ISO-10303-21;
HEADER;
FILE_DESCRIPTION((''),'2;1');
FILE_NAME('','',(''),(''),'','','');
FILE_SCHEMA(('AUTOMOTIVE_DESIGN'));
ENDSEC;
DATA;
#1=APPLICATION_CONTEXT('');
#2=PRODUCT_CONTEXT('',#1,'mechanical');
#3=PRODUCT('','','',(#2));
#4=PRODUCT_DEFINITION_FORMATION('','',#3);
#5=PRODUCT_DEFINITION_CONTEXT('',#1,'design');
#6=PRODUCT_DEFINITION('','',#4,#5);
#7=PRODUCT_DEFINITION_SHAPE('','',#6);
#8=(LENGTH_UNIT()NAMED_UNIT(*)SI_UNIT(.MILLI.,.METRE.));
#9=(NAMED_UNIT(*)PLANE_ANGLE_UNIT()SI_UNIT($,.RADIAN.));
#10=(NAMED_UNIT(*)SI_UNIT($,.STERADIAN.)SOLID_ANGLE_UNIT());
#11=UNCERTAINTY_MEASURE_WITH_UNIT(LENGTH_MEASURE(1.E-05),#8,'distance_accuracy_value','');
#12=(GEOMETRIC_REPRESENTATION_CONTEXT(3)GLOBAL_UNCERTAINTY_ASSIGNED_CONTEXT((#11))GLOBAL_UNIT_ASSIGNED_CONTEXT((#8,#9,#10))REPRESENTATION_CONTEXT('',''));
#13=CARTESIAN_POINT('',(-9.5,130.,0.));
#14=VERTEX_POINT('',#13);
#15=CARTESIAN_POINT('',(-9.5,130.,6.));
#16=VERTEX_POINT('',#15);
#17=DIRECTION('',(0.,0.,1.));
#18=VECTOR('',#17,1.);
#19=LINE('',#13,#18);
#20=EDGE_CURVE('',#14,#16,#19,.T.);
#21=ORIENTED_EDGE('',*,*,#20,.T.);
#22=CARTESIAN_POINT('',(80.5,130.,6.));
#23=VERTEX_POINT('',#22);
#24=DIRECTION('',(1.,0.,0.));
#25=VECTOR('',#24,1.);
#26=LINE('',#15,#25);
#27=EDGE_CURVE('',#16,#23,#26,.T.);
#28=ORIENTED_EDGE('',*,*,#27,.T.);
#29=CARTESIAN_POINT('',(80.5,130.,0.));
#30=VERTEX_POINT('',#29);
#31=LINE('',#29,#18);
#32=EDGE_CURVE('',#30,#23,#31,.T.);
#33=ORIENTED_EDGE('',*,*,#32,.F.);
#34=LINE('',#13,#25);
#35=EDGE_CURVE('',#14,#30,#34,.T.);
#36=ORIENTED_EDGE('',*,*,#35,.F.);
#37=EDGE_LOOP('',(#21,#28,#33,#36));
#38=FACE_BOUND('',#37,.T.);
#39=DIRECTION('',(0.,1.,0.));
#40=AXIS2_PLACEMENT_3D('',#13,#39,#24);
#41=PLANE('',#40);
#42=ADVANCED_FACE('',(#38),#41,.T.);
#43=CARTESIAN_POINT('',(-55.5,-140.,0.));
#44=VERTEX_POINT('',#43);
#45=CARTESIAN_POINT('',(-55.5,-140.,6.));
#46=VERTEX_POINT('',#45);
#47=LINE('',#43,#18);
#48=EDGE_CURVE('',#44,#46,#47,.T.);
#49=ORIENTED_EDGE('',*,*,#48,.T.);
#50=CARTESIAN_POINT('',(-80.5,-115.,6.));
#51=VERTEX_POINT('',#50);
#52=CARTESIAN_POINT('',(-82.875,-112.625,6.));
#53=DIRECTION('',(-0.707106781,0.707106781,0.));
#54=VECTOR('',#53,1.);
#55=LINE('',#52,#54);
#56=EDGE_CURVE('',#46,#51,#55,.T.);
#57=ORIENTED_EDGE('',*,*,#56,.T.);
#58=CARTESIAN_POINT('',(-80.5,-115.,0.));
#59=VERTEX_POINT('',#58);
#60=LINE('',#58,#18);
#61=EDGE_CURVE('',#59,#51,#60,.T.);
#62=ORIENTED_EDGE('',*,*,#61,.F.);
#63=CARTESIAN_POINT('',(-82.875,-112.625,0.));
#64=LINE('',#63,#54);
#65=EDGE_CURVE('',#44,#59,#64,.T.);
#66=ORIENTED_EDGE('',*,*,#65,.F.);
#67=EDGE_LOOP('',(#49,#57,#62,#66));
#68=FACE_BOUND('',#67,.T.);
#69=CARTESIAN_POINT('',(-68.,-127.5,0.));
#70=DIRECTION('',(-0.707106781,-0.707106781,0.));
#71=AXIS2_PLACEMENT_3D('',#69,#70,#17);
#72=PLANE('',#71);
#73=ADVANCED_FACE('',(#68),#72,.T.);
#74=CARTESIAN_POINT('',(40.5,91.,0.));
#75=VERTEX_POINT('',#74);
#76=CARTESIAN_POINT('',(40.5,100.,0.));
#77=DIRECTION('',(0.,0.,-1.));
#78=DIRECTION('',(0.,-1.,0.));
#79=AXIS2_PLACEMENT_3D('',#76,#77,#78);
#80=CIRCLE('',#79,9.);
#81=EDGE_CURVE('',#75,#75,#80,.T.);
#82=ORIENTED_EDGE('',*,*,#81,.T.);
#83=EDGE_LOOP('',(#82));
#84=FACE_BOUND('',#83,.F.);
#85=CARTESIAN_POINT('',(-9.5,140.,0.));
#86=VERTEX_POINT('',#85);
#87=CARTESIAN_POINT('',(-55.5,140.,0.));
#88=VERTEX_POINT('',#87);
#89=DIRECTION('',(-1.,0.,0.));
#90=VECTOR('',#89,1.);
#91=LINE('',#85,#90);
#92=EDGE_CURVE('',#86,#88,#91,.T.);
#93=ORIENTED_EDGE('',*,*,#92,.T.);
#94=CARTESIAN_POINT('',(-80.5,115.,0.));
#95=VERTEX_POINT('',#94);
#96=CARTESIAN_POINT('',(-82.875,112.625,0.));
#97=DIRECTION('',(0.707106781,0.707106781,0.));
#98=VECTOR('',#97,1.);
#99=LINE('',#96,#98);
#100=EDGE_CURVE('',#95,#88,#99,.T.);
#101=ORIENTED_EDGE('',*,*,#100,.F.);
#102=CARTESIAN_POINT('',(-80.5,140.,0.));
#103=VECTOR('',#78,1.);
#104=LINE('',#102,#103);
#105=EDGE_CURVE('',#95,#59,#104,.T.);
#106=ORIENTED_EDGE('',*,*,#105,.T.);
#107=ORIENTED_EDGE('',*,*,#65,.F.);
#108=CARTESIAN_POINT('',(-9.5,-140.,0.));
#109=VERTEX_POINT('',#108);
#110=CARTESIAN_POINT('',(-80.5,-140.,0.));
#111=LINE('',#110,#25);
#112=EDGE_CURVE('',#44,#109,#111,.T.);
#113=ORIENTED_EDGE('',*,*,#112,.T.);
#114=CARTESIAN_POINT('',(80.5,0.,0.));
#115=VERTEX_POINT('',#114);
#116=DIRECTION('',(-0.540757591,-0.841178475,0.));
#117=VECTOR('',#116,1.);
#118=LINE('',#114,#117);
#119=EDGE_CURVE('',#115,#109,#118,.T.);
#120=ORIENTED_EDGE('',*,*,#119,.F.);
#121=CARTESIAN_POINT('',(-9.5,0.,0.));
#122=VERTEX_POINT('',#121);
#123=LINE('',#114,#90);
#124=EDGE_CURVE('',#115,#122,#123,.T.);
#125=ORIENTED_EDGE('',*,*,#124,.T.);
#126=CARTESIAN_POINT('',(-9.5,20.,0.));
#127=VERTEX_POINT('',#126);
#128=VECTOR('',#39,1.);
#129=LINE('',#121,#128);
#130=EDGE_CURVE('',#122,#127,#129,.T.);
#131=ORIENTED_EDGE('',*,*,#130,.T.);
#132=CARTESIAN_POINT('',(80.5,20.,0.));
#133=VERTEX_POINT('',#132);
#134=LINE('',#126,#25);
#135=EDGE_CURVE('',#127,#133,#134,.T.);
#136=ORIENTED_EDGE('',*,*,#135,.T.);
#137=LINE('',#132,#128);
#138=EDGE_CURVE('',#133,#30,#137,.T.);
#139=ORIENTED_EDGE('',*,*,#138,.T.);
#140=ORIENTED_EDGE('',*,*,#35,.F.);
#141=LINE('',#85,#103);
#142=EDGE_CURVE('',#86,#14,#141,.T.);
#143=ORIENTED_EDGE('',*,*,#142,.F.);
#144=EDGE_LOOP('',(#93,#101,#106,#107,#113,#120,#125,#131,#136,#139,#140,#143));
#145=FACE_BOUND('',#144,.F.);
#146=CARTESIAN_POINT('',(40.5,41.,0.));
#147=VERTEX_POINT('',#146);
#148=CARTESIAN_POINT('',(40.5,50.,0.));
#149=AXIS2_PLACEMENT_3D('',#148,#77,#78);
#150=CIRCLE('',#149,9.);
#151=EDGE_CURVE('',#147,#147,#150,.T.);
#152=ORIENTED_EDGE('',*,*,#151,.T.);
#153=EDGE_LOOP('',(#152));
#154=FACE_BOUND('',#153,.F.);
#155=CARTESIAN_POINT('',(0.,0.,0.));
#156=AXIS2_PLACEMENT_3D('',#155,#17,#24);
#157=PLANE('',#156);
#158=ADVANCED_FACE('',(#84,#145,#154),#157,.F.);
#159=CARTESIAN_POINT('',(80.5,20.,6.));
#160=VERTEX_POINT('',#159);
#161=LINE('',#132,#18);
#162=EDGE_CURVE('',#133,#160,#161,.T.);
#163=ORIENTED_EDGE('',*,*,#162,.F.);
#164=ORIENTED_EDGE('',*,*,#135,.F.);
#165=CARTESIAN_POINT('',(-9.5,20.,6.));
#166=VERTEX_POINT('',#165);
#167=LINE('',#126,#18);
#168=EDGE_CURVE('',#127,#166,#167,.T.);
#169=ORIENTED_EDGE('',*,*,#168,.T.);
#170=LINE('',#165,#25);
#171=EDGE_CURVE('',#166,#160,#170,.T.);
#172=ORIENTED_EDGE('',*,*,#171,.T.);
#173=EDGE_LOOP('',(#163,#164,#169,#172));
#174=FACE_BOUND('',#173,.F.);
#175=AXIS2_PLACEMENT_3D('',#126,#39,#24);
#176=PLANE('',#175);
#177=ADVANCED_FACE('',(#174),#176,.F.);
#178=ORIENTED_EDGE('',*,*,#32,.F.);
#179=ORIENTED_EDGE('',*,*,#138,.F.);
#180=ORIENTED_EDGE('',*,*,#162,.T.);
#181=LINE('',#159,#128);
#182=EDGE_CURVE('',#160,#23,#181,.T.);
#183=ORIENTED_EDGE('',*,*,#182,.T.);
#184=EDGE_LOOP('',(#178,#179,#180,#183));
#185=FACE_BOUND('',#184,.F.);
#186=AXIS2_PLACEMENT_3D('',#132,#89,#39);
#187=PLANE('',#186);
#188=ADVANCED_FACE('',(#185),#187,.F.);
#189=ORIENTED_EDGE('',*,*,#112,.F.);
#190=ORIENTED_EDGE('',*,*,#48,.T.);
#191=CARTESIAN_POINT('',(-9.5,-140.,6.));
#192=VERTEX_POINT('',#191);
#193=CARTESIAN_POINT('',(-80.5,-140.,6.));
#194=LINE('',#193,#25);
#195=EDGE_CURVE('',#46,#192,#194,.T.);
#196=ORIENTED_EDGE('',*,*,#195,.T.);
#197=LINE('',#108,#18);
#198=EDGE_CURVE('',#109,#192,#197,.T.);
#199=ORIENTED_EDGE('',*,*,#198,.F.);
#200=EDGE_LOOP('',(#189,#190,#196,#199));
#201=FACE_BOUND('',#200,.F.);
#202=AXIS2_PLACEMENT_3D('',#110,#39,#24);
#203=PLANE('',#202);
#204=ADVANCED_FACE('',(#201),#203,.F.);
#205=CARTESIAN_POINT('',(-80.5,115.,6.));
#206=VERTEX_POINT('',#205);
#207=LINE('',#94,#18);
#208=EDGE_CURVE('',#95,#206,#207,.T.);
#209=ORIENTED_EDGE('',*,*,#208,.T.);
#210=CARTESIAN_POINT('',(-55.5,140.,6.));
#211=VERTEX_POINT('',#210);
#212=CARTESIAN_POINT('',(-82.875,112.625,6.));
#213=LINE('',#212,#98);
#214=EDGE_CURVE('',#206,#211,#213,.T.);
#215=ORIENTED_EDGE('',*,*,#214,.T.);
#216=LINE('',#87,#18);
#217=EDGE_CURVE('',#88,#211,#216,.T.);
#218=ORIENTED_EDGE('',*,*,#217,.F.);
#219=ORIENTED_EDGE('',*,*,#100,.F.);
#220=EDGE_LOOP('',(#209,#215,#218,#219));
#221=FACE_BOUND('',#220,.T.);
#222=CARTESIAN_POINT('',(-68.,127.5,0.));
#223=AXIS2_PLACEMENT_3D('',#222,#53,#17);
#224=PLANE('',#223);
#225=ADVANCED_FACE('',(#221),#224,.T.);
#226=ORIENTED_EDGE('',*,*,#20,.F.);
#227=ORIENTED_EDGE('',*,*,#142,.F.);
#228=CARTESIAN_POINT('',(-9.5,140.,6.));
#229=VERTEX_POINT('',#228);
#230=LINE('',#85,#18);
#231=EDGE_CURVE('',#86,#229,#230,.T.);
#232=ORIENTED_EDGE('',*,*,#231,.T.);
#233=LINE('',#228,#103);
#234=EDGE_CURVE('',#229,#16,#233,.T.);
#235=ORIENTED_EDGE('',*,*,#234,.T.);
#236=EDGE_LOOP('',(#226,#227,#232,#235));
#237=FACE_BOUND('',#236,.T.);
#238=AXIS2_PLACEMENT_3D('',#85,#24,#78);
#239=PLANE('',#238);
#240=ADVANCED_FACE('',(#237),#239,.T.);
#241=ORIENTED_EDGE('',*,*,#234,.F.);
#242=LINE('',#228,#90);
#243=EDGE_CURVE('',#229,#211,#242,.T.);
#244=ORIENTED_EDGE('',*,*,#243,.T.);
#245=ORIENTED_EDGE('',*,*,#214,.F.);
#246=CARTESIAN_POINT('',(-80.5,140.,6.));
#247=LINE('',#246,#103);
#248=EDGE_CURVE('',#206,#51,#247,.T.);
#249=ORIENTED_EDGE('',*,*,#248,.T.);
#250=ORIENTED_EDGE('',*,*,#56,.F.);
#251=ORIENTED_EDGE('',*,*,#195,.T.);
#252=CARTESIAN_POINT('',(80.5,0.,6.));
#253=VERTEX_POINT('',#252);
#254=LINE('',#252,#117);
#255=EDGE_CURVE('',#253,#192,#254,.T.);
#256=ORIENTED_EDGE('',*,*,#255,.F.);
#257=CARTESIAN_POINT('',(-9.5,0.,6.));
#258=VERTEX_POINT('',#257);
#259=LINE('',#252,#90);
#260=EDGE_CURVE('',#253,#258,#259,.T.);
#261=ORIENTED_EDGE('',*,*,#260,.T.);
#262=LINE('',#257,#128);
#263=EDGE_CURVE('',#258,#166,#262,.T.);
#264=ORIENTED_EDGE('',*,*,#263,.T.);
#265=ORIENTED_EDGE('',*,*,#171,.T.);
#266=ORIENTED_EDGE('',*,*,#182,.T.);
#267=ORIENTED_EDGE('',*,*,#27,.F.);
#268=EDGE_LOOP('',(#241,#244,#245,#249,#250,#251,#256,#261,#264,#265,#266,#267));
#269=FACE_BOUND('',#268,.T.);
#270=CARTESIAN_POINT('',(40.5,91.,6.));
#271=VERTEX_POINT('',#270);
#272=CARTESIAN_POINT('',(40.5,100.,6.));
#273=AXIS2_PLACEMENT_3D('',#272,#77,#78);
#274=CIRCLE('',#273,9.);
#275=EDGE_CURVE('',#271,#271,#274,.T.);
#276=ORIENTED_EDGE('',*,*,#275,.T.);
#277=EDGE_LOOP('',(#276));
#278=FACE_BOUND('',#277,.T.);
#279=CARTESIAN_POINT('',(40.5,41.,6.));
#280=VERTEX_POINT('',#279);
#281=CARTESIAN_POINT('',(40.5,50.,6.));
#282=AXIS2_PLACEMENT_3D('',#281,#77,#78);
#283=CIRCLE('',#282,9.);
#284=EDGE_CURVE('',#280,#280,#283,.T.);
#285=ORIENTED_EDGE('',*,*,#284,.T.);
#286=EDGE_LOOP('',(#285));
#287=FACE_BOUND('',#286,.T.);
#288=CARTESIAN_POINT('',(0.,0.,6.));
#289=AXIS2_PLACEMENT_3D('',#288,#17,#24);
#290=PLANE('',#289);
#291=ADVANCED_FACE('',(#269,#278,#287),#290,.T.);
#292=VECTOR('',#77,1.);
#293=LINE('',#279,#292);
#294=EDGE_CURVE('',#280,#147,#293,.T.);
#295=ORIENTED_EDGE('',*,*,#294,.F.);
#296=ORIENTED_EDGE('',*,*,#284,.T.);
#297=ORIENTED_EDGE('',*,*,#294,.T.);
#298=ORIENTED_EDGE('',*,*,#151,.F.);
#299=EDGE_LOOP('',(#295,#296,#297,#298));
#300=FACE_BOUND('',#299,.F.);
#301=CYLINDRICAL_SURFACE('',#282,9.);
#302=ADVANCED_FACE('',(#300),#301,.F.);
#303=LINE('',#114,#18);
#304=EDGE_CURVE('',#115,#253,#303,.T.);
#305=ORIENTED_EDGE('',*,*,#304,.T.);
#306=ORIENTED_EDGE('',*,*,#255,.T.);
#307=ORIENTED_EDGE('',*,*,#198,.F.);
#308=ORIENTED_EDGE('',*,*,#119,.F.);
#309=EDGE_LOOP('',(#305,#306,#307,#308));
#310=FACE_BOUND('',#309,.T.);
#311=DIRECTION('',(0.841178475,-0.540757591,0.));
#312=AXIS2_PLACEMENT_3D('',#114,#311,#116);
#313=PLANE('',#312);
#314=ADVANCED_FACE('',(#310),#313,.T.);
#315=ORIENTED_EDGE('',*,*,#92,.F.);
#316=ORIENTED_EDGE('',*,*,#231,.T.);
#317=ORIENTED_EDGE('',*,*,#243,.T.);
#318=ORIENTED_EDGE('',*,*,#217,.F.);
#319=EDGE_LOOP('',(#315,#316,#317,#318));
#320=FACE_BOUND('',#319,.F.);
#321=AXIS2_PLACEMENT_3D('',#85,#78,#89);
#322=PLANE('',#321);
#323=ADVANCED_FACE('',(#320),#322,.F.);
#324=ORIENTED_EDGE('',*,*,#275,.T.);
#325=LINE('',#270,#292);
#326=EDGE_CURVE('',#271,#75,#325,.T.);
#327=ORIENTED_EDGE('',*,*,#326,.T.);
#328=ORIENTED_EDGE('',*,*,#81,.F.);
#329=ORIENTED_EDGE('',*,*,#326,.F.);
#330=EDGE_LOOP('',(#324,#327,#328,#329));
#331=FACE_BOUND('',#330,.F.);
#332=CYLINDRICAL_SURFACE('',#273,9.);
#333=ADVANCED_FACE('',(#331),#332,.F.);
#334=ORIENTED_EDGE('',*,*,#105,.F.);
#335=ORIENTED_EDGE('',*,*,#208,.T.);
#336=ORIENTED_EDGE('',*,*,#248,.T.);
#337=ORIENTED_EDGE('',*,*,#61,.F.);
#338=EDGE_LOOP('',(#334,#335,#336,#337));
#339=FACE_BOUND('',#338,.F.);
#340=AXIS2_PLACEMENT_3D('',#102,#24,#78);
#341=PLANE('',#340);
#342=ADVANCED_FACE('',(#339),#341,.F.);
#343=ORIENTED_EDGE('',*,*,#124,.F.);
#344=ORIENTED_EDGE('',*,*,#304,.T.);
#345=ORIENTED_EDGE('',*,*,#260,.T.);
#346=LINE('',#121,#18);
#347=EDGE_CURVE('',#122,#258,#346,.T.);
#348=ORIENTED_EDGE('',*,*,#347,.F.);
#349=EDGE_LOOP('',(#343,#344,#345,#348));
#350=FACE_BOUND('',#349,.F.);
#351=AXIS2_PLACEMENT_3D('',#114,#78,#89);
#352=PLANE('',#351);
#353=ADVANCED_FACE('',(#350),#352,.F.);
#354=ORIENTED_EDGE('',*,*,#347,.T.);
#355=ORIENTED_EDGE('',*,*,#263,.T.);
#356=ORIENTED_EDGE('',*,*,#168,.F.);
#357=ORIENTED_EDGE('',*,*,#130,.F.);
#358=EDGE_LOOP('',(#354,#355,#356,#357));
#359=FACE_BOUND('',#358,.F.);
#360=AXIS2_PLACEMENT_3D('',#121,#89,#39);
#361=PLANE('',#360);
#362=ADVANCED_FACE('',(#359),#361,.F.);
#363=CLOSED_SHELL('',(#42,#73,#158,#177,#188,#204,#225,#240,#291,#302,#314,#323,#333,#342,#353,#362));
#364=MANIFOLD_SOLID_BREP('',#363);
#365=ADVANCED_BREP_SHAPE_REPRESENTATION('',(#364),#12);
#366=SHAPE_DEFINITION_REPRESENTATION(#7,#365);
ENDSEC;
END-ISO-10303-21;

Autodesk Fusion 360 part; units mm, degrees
sketch "スケッチ1" plane through (0, 0, 0) normal (0, 0, 1) x (1, 0, 0)
  line L0 (-9.5, 140) -> (-80.5, 140)
  line L1 (-80.5, 140) -> (-80.5, -140)
  line L2 (-80.5, -140) -> (-9.5, -140)
  line L3 (80.5, 20) -> (80.5, 130)
  line L4 (74.75, 130) -> (-80.5, -140) construction
  line L5 (-80.5, 140) -> (38.0073, -66.0997) construction
  line L6 (-9.5, 140) -> (-9.5, 130)
  line L7 (-9.5, 130) -> (80.5, 130)
  line L8 (-80.5, -140) -> (-9.5, -140) construction
  line L9 (80.5, 0) -> (-9.5, -140)
  line L10 (80.5, 0) -> (-9.5, 0)
  line L11 (-9.5, 0) -> (-9.5, 20)
  line L12 (-9.5, 20) -> (80.5, 20)
  dimension "d2" = 280
  dimension "d5" = 71
  dimension "d7" = 90
  dimension "d8" = 20
extrude "押し出し1" add sketch "スケッチ1" along normal blind 6
chamfer "面取り1" distance 25 angle 45 2 edges at (-80.5, -140, 3) (-80.5, 140, 3)
sketch "スケッチ2" plane through (0, 0, 6) normal (0, 0, 1) x (-1, 0, 0)
  line L0 (55.5, -140) -> (80.5, -115)
  line L1 (80.5, -115) -> (80.5, 115)
  line L2 (80.5, 115) -> (55.5, 140)
  line L3 (55.5, 140) -> (9.5, 140)
  line L4 (9.5, 140) -> (-80.5, 0)
  line L5 (-80.5, 0) -> (9.5, 0)
  line L6 (9.5, 0) -> (9.5, -20)
  line L7 (9.5, -20) -> (-80.5, -20)
  line L8 (-80.5, -20) -> (-80.5, -130)
  line L9 (-80.5, -130) -> (9.5, -130)
  line L10 (9.5, -130) -> (9.5, -140)
  line L11 (9.5, -140) -> (55.5, -140)
  line L12 (-80.5, -130) -> (-40.5, -130) construction
  line L13 (-40.5, -130) -> (-40.5, -100) construction
  line L14 (-40.5, -100) -> (-80.5, -100) construction
  line L15 (-80.5, -100) -> (-80.5, -130) construction
  line L16 (-40.5, -100) -> (-40.5, -50) construction
  point P0 (-40.5, -100)
  point P1 (-40.5, -50)
  dimension "d12" = 40
  dimension "d13" = 30
  dimension "d14" = 50
hole "穴1" at (40.5, 100, 6) at (40.5, 50, 6) direction (0, 0, -1) diameter 18 end through all
equation "d5 = 25 mm + 46 mm"
